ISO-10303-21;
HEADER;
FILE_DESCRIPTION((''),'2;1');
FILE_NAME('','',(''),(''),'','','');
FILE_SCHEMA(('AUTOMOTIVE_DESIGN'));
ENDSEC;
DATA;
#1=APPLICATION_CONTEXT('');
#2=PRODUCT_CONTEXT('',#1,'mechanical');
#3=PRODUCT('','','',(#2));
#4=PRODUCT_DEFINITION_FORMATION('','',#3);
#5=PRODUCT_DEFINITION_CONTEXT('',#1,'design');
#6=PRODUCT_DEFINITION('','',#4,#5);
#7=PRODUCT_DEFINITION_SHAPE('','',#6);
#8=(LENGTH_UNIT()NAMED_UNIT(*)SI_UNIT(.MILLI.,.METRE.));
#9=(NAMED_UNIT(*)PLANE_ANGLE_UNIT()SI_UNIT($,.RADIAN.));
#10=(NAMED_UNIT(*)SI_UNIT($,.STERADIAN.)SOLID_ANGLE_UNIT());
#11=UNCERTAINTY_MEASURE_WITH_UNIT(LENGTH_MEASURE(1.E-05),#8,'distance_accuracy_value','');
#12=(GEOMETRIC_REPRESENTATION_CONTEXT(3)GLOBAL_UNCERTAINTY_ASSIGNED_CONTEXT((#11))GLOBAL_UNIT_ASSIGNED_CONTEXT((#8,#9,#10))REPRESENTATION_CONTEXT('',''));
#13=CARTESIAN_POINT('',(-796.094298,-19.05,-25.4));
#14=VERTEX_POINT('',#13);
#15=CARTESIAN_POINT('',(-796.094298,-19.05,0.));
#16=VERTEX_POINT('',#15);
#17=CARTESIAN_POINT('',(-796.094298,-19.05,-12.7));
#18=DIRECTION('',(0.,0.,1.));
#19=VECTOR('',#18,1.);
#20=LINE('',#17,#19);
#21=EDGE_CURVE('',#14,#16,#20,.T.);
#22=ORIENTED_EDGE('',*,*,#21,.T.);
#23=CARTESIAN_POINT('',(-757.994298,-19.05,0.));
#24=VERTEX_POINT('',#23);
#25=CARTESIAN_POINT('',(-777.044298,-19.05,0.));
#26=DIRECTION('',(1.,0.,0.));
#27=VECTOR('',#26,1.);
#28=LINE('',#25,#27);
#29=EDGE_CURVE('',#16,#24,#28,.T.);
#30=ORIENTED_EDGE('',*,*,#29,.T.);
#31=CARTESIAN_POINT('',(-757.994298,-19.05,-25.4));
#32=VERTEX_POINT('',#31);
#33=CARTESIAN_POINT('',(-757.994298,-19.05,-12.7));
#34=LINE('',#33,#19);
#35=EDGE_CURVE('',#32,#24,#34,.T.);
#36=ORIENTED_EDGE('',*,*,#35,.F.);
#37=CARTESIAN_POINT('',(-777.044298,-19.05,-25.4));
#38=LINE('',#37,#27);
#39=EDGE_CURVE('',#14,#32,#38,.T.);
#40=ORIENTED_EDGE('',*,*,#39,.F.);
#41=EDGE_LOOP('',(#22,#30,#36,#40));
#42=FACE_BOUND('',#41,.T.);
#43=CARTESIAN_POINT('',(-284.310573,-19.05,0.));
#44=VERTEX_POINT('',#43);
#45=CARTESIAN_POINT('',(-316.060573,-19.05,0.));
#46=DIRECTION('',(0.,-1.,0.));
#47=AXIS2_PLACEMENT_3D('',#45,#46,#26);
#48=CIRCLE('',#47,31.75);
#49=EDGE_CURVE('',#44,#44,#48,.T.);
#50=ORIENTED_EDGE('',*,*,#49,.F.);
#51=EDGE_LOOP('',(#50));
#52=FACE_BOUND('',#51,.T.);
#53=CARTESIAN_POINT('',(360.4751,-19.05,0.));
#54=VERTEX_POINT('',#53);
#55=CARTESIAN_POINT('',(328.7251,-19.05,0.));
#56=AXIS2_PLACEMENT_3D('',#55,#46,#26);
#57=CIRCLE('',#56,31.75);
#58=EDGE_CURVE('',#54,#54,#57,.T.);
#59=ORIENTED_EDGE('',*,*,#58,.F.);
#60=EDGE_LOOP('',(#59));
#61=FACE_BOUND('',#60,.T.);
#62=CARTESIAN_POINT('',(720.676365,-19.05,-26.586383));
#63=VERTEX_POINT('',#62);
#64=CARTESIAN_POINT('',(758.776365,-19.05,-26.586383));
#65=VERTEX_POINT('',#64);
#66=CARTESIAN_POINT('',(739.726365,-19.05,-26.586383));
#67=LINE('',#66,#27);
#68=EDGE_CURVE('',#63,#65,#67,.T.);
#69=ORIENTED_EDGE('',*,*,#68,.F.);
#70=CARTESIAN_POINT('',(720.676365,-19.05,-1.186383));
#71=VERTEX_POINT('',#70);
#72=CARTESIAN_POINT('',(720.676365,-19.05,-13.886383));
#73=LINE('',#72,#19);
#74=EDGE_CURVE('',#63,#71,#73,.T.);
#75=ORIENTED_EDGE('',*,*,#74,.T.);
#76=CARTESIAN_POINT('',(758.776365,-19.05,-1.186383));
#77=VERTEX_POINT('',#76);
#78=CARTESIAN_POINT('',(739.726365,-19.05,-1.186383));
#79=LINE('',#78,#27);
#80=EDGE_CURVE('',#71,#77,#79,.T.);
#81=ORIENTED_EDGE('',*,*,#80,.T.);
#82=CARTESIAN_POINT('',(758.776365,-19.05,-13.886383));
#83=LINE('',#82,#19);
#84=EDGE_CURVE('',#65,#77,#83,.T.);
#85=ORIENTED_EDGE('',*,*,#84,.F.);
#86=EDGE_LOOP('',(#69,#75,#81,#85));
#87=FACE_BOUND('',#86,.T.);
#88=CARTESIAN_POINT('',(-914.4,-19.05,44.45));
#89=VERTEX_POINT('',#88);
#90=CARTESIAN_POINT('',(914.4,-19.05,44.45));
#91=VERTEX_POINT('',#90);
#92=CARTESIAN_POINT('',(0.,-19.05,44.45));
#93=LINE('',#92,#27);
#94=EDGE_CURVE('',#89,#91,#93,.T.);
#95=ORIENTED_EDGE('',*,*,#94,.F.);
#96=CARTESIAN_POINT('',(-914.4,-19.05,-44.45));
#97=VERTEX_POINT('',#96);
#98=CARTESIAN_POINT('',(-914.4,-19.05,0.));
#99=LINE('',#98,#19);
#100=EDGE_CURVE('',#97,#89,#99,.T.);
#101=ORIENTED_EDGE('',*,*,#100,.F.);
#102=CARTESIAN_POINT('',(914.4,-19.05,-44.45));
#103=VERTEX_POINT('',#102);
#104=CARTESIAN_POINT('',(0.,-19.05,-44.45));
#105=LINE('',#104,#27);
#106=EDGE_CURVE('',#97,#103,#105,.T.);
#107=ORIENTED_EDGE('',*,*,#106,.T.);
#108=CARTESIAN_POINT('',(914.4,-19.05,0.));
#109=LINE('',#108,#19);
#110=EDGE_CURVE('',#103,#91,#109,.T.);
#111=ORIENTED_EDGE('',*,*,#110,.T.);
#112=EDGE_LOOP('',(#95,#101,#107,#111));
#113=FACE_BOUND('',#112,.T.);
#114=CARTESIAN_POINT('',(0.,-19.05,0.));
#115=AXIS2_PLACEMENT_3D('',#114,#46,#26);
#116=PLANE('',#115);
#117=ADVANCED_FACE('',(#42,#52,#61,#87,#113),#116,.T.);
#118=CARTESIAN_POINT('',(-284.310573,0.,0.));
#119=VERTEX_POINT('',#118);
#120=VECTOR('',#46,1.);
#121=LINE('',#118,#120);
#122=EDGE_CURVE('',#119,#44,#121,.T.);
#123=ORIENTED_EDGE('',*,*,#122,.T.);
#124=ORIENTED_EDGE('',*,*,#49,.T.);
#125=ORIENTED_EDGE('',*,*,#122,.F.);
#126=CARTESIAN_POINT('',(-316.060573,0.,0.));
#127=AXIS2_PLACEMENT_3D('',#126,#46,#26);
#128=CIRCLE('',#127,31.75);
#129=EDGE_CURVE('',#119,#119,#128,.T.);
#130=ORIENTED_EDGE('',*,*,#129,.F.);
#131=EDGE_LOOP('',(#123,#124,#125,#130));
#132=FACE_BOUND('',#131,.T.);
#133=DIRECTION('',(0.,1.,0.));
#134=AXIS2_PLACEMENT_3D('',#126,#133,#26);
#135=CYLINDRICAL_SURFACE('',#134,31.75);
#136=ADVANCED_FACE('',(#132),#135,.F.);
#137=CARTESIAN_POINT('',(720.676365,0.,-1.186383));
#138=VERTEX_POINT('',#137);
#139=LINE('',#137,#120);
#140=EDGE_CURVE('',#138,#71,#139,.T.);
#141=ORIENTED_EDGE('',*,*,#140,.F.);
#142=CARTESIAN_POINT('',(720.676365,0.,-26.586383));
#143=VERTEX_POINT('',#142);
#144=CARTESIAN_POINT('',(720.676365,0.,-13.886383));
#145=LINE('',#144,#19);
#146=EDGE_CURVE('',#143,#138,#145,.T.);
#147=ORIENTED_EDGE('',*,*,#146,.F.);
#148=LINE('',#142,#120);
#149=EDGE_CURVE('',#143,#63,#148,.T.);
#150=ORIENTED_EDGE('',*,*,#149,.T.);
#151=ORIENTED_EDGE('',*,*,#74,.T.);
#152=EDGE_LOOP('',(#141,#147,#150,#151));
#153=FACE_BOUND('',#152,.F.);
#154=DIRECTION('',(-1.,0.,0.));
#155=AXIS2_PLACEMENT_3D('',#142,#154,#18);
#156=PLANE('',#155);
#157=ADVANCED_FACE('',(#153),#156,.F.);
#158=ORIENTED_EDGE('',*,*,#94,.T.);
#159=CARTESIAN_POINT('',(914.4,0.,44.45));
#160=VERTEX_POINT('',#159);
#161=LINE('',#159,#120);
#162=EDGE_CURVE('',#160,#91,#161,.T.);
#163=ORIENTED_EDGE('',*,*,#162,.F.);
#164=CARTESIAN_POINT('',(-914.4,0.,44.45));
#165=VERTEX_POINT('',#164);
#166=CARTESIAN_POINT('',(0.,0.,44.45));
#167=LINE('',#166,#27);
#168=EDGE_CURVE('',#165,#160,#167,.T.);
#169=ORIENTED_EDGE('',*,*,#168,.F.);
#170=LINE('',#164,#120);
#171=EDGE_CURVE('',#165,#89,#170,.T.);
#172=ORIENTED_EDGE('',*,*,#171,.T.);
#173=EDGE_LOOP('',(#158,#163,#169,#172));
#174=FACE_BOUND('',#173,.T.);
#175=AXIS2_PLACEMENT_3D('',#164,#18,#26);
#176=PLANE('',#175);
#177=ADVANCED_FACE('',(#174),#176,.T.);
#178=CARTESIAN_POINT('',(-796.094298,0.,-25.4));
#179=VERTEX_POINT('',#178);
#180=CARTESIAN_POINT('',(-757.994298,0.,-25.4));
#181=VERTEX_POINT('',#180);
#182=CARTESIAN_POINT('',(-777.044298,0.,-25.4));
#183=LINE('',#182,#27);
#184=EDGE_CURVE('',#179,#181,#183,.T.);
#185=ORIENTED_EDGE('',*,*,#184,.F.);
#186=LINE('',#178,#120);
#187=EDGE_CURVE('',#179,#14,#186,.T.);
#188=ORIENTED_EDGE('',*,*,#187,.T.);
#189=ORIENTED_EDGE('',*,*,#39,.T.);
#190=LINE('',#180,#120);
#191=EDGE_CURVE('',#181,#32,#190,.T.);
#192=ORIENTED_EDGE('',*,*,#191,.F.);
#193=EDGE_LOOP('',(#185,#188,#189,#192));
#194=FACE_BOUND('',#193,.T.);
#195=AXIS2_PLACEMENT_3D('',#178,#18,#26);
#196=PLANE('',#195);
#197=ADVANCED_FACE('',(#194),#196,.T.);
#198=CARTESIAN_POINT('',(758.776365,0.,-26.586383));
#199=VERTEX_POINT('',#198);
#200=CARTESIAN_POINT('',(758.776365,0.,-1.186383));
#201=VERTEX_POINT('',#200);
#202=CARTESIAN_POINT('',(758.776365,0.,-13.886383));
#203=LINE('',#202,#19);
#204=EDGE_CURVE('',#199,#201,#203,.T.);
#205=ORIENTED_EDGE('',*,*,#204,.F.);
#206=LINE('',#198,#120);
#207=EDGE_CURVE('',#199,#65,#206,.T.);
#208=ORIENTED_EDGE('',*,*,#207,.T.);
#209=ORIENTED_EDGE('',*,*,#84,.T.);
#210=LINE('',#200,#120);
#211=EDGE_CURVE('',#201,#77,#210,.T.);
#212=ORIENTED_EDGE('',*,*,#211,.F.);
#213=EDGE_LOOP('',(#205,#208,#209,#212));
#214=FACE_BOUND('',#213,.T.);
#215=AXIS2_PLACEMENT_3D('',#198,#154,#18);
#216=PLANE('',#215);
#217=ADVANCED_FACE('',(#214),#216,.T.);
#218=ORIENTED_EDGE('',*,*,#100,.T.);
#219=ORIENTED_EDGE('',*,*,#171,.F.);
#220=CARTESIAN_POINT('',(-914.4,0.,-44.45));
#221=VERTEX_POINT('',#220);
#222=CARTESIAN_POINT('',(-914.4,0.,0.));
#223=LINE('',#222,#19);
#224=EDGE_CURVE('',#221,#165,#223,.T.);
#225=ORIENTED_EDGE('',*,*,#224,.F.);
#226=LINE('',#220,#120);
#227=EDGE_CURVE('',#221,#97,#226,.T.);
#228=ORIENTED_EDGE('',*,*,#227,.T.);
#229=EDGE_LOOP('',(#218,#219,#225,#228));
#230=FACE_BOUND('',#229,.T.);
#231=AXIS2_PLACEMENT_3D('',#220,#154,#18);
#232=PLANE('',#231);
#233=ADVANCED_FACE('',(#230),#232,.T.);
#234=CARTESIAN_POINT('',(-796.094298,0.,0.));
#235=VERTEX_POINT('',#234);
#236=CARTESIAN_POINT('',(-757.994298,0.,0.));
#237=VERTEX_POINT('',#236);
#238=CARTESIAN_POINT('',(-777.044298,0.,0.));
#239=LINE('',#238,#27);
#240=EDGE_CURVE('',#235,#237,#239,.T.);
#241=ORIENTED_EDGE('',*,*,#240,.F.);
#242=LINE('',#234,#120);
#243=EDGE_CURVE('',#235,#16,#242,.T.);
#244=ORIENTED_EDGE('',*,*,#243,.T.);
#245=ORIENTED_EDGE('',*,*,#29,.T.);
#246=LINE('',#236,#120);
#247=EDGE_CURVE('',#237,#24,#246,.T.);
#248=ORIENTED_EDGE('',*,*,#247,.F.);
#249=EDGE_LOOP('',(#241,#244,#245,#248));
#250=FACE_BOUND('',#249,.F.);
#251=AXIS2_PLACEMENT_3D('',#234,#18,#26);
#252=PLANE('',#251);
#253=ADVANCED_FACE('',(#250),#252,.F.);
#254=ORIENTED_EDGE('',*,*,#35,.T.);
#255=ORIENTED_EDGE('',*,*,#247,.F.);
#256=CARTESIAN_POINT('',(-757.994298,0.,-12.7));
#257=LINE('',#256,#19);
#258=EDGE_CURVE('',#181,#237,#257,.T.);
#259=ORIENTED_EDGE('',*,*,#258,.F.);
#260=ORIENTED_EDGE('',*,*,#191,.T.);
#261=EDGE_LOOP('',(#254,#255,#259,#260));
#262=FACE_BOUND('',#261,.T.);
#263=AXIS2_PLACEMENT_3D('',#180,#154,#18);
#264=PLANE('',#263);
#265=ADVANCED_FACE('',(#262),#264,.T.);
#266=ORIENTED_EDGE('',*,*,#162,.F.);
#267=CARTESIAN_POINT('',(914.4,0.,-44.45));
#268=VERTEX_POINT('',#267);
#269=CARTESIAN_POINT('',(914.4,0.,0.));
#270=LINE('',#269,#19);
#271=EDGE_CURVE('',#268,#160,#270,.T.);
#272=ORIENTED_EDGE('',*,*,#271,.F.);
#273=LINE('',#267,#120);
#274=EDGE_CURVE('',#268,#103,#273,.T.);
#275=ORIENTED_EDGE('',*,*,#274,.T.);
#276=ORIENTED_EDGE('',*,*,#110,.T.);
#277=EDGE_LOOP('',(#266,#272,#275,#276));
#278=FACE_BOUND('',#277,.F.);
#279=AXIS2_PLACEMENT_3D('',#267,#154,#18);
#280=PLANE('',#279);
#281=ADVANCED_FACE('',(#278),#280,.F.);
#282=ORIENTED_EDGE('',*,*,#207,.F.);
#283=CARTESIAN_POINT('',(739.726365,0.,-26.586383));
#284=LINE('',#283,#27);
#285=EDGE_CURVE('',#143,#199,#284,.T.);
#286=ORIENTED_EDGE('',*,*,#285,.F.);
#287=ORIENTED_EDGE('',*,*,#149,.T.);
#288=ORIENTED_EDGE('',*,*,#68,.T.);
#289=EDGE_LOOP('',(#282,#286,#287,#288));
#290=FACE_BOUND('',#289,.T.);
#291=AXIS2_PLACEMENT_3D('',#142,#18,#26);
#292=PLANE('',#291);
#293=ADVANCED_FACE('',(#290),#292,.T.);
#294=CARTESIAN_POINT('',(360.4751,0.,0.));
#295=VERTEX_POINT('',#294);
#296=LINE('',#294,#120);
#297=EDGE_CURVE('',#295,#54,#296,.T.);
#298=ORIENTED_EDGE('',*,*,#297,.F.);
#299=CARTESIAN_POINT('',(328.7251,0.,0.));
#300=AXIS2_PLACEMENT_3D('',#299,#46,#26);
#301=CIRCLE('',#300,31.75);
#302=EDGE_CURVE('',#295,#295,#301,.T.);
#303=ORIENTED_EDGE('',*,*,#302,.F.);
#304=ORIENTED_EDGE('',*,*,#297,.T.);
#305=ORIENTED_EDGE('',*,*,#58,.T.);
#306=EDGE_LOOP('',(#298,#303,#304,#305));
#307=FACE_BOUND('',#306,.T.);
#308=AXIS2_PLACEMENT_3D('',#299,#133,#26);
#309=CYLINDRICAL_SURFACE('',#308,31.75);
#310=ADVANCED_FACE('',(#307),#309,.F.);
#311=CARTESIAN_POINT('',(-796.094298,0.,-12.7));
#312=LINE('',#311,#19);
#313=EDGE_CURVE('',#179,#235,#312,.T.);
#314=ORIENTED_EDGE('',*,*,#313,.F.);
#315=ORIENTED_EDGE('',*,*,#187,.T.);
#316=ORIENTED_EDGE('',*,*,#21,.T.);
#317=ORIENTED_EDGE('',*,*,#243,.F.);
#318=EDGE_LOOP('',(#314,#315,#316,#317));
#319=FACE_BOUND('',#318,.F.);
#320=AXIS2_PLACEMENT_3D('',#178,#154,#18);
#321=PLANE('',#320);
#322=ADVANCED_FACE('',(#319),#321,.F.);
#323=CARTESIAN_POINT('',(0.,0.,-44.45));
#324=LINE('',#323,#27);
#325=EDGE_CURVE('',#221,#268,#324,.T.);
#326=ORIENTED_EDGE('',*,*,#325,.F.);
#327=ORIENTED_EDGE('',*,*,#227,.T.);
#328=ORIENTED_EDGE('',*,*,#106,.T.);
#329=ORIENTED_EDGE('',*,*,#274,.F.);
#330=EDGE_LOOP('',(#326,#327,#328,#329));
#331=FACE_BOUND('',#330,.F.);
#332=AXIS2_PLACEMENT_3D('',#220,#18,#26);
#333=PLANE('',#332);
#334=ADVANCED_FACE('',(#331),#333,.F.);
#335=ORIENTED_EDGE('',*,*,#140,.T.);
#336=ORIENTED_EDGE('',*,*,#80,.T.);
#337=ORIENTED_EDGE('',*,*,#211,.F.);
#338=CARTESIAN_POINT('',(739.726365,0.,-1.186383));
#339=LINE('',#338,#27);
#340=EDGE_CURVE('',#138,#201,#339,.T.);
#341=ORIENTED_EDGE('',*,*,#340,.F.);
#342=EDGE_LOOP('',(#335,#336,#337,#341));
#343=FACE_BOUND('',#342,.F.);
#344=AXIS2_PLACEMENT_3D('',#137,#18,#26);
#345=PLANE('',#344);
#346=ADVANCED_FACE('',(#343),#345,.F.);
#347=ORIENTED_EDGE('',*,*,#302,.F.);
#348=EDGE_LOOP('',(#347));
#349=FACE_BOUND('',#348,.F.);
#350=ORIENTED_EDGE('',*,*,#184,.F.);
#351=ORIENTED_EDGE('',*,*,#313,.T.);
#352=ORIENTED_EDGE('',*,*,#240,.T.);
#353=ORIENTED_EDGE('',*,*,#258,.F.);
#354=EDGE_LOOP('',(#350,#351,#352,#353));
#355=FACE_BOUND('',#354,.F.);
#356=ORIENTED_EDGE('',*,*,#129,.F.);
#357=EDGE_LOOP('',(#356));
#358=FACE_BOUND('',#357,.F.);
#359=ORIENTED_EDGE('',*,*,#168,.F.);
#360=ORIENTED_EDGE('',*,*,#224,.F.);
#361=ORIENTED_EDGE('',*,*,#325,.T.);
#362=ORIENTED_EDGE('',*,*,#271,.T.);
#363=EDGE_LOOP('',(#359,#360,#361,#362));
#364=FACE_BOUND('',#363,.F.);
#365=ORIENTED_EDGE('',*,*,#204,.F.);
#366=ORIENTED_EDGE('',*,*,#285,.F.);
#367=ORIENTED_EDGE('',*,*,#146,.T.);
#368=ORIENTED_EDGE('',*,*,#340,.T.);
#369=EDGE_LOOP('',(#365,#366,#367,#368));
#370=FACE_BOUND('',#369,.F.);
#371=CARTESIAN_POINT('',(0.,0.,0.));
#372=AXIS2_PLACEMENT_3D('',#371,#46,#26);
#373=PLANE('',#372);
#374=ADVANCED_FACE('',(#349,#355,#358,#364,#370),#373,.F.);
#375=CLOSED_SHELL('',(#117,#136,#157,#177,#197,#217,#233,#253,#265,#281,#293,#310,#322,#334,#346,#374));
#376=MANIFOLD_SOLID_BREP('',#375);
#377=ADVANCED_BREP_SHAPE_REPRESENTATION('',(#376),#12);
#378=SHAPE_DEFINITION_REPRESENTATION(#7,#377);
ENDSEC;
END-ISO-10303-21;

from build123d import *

# Parameters (mm, degrees)
F0_W     = 1828.8
F0_H     = 88.9
F0_W_2   = 38.1
F0_H_2   = 25.4
F0_R     = 31.75
F1_DEPTH = 19.05


with BuildPart() as f1:
    # F0 (on Front) → F1 (new body)
    with BuildSketch(Plane.XZ):
        Rectangle(F0_W, F0_H)
        with Locations((-777.044298, -12.7)):
            Rectangle(F0_W_2, F0_H_2, mode=Mode.SUBTRACT)
        with Locations((739.726365, -13.886383)):
            Rectangle(F0_W_2, F0_H_2, mode=Mode.SUBTRACT)
        with Locations((-316.060573, 0)):
            Circle(F0_R, mode=Mode.SUBTRACT)
        with Locations((328.7251, 0)):
            Circle(F0_R, mode=Mode.SUBTRACT)
    extrude(amount=F1_DEPTH)


solid = f1.part
